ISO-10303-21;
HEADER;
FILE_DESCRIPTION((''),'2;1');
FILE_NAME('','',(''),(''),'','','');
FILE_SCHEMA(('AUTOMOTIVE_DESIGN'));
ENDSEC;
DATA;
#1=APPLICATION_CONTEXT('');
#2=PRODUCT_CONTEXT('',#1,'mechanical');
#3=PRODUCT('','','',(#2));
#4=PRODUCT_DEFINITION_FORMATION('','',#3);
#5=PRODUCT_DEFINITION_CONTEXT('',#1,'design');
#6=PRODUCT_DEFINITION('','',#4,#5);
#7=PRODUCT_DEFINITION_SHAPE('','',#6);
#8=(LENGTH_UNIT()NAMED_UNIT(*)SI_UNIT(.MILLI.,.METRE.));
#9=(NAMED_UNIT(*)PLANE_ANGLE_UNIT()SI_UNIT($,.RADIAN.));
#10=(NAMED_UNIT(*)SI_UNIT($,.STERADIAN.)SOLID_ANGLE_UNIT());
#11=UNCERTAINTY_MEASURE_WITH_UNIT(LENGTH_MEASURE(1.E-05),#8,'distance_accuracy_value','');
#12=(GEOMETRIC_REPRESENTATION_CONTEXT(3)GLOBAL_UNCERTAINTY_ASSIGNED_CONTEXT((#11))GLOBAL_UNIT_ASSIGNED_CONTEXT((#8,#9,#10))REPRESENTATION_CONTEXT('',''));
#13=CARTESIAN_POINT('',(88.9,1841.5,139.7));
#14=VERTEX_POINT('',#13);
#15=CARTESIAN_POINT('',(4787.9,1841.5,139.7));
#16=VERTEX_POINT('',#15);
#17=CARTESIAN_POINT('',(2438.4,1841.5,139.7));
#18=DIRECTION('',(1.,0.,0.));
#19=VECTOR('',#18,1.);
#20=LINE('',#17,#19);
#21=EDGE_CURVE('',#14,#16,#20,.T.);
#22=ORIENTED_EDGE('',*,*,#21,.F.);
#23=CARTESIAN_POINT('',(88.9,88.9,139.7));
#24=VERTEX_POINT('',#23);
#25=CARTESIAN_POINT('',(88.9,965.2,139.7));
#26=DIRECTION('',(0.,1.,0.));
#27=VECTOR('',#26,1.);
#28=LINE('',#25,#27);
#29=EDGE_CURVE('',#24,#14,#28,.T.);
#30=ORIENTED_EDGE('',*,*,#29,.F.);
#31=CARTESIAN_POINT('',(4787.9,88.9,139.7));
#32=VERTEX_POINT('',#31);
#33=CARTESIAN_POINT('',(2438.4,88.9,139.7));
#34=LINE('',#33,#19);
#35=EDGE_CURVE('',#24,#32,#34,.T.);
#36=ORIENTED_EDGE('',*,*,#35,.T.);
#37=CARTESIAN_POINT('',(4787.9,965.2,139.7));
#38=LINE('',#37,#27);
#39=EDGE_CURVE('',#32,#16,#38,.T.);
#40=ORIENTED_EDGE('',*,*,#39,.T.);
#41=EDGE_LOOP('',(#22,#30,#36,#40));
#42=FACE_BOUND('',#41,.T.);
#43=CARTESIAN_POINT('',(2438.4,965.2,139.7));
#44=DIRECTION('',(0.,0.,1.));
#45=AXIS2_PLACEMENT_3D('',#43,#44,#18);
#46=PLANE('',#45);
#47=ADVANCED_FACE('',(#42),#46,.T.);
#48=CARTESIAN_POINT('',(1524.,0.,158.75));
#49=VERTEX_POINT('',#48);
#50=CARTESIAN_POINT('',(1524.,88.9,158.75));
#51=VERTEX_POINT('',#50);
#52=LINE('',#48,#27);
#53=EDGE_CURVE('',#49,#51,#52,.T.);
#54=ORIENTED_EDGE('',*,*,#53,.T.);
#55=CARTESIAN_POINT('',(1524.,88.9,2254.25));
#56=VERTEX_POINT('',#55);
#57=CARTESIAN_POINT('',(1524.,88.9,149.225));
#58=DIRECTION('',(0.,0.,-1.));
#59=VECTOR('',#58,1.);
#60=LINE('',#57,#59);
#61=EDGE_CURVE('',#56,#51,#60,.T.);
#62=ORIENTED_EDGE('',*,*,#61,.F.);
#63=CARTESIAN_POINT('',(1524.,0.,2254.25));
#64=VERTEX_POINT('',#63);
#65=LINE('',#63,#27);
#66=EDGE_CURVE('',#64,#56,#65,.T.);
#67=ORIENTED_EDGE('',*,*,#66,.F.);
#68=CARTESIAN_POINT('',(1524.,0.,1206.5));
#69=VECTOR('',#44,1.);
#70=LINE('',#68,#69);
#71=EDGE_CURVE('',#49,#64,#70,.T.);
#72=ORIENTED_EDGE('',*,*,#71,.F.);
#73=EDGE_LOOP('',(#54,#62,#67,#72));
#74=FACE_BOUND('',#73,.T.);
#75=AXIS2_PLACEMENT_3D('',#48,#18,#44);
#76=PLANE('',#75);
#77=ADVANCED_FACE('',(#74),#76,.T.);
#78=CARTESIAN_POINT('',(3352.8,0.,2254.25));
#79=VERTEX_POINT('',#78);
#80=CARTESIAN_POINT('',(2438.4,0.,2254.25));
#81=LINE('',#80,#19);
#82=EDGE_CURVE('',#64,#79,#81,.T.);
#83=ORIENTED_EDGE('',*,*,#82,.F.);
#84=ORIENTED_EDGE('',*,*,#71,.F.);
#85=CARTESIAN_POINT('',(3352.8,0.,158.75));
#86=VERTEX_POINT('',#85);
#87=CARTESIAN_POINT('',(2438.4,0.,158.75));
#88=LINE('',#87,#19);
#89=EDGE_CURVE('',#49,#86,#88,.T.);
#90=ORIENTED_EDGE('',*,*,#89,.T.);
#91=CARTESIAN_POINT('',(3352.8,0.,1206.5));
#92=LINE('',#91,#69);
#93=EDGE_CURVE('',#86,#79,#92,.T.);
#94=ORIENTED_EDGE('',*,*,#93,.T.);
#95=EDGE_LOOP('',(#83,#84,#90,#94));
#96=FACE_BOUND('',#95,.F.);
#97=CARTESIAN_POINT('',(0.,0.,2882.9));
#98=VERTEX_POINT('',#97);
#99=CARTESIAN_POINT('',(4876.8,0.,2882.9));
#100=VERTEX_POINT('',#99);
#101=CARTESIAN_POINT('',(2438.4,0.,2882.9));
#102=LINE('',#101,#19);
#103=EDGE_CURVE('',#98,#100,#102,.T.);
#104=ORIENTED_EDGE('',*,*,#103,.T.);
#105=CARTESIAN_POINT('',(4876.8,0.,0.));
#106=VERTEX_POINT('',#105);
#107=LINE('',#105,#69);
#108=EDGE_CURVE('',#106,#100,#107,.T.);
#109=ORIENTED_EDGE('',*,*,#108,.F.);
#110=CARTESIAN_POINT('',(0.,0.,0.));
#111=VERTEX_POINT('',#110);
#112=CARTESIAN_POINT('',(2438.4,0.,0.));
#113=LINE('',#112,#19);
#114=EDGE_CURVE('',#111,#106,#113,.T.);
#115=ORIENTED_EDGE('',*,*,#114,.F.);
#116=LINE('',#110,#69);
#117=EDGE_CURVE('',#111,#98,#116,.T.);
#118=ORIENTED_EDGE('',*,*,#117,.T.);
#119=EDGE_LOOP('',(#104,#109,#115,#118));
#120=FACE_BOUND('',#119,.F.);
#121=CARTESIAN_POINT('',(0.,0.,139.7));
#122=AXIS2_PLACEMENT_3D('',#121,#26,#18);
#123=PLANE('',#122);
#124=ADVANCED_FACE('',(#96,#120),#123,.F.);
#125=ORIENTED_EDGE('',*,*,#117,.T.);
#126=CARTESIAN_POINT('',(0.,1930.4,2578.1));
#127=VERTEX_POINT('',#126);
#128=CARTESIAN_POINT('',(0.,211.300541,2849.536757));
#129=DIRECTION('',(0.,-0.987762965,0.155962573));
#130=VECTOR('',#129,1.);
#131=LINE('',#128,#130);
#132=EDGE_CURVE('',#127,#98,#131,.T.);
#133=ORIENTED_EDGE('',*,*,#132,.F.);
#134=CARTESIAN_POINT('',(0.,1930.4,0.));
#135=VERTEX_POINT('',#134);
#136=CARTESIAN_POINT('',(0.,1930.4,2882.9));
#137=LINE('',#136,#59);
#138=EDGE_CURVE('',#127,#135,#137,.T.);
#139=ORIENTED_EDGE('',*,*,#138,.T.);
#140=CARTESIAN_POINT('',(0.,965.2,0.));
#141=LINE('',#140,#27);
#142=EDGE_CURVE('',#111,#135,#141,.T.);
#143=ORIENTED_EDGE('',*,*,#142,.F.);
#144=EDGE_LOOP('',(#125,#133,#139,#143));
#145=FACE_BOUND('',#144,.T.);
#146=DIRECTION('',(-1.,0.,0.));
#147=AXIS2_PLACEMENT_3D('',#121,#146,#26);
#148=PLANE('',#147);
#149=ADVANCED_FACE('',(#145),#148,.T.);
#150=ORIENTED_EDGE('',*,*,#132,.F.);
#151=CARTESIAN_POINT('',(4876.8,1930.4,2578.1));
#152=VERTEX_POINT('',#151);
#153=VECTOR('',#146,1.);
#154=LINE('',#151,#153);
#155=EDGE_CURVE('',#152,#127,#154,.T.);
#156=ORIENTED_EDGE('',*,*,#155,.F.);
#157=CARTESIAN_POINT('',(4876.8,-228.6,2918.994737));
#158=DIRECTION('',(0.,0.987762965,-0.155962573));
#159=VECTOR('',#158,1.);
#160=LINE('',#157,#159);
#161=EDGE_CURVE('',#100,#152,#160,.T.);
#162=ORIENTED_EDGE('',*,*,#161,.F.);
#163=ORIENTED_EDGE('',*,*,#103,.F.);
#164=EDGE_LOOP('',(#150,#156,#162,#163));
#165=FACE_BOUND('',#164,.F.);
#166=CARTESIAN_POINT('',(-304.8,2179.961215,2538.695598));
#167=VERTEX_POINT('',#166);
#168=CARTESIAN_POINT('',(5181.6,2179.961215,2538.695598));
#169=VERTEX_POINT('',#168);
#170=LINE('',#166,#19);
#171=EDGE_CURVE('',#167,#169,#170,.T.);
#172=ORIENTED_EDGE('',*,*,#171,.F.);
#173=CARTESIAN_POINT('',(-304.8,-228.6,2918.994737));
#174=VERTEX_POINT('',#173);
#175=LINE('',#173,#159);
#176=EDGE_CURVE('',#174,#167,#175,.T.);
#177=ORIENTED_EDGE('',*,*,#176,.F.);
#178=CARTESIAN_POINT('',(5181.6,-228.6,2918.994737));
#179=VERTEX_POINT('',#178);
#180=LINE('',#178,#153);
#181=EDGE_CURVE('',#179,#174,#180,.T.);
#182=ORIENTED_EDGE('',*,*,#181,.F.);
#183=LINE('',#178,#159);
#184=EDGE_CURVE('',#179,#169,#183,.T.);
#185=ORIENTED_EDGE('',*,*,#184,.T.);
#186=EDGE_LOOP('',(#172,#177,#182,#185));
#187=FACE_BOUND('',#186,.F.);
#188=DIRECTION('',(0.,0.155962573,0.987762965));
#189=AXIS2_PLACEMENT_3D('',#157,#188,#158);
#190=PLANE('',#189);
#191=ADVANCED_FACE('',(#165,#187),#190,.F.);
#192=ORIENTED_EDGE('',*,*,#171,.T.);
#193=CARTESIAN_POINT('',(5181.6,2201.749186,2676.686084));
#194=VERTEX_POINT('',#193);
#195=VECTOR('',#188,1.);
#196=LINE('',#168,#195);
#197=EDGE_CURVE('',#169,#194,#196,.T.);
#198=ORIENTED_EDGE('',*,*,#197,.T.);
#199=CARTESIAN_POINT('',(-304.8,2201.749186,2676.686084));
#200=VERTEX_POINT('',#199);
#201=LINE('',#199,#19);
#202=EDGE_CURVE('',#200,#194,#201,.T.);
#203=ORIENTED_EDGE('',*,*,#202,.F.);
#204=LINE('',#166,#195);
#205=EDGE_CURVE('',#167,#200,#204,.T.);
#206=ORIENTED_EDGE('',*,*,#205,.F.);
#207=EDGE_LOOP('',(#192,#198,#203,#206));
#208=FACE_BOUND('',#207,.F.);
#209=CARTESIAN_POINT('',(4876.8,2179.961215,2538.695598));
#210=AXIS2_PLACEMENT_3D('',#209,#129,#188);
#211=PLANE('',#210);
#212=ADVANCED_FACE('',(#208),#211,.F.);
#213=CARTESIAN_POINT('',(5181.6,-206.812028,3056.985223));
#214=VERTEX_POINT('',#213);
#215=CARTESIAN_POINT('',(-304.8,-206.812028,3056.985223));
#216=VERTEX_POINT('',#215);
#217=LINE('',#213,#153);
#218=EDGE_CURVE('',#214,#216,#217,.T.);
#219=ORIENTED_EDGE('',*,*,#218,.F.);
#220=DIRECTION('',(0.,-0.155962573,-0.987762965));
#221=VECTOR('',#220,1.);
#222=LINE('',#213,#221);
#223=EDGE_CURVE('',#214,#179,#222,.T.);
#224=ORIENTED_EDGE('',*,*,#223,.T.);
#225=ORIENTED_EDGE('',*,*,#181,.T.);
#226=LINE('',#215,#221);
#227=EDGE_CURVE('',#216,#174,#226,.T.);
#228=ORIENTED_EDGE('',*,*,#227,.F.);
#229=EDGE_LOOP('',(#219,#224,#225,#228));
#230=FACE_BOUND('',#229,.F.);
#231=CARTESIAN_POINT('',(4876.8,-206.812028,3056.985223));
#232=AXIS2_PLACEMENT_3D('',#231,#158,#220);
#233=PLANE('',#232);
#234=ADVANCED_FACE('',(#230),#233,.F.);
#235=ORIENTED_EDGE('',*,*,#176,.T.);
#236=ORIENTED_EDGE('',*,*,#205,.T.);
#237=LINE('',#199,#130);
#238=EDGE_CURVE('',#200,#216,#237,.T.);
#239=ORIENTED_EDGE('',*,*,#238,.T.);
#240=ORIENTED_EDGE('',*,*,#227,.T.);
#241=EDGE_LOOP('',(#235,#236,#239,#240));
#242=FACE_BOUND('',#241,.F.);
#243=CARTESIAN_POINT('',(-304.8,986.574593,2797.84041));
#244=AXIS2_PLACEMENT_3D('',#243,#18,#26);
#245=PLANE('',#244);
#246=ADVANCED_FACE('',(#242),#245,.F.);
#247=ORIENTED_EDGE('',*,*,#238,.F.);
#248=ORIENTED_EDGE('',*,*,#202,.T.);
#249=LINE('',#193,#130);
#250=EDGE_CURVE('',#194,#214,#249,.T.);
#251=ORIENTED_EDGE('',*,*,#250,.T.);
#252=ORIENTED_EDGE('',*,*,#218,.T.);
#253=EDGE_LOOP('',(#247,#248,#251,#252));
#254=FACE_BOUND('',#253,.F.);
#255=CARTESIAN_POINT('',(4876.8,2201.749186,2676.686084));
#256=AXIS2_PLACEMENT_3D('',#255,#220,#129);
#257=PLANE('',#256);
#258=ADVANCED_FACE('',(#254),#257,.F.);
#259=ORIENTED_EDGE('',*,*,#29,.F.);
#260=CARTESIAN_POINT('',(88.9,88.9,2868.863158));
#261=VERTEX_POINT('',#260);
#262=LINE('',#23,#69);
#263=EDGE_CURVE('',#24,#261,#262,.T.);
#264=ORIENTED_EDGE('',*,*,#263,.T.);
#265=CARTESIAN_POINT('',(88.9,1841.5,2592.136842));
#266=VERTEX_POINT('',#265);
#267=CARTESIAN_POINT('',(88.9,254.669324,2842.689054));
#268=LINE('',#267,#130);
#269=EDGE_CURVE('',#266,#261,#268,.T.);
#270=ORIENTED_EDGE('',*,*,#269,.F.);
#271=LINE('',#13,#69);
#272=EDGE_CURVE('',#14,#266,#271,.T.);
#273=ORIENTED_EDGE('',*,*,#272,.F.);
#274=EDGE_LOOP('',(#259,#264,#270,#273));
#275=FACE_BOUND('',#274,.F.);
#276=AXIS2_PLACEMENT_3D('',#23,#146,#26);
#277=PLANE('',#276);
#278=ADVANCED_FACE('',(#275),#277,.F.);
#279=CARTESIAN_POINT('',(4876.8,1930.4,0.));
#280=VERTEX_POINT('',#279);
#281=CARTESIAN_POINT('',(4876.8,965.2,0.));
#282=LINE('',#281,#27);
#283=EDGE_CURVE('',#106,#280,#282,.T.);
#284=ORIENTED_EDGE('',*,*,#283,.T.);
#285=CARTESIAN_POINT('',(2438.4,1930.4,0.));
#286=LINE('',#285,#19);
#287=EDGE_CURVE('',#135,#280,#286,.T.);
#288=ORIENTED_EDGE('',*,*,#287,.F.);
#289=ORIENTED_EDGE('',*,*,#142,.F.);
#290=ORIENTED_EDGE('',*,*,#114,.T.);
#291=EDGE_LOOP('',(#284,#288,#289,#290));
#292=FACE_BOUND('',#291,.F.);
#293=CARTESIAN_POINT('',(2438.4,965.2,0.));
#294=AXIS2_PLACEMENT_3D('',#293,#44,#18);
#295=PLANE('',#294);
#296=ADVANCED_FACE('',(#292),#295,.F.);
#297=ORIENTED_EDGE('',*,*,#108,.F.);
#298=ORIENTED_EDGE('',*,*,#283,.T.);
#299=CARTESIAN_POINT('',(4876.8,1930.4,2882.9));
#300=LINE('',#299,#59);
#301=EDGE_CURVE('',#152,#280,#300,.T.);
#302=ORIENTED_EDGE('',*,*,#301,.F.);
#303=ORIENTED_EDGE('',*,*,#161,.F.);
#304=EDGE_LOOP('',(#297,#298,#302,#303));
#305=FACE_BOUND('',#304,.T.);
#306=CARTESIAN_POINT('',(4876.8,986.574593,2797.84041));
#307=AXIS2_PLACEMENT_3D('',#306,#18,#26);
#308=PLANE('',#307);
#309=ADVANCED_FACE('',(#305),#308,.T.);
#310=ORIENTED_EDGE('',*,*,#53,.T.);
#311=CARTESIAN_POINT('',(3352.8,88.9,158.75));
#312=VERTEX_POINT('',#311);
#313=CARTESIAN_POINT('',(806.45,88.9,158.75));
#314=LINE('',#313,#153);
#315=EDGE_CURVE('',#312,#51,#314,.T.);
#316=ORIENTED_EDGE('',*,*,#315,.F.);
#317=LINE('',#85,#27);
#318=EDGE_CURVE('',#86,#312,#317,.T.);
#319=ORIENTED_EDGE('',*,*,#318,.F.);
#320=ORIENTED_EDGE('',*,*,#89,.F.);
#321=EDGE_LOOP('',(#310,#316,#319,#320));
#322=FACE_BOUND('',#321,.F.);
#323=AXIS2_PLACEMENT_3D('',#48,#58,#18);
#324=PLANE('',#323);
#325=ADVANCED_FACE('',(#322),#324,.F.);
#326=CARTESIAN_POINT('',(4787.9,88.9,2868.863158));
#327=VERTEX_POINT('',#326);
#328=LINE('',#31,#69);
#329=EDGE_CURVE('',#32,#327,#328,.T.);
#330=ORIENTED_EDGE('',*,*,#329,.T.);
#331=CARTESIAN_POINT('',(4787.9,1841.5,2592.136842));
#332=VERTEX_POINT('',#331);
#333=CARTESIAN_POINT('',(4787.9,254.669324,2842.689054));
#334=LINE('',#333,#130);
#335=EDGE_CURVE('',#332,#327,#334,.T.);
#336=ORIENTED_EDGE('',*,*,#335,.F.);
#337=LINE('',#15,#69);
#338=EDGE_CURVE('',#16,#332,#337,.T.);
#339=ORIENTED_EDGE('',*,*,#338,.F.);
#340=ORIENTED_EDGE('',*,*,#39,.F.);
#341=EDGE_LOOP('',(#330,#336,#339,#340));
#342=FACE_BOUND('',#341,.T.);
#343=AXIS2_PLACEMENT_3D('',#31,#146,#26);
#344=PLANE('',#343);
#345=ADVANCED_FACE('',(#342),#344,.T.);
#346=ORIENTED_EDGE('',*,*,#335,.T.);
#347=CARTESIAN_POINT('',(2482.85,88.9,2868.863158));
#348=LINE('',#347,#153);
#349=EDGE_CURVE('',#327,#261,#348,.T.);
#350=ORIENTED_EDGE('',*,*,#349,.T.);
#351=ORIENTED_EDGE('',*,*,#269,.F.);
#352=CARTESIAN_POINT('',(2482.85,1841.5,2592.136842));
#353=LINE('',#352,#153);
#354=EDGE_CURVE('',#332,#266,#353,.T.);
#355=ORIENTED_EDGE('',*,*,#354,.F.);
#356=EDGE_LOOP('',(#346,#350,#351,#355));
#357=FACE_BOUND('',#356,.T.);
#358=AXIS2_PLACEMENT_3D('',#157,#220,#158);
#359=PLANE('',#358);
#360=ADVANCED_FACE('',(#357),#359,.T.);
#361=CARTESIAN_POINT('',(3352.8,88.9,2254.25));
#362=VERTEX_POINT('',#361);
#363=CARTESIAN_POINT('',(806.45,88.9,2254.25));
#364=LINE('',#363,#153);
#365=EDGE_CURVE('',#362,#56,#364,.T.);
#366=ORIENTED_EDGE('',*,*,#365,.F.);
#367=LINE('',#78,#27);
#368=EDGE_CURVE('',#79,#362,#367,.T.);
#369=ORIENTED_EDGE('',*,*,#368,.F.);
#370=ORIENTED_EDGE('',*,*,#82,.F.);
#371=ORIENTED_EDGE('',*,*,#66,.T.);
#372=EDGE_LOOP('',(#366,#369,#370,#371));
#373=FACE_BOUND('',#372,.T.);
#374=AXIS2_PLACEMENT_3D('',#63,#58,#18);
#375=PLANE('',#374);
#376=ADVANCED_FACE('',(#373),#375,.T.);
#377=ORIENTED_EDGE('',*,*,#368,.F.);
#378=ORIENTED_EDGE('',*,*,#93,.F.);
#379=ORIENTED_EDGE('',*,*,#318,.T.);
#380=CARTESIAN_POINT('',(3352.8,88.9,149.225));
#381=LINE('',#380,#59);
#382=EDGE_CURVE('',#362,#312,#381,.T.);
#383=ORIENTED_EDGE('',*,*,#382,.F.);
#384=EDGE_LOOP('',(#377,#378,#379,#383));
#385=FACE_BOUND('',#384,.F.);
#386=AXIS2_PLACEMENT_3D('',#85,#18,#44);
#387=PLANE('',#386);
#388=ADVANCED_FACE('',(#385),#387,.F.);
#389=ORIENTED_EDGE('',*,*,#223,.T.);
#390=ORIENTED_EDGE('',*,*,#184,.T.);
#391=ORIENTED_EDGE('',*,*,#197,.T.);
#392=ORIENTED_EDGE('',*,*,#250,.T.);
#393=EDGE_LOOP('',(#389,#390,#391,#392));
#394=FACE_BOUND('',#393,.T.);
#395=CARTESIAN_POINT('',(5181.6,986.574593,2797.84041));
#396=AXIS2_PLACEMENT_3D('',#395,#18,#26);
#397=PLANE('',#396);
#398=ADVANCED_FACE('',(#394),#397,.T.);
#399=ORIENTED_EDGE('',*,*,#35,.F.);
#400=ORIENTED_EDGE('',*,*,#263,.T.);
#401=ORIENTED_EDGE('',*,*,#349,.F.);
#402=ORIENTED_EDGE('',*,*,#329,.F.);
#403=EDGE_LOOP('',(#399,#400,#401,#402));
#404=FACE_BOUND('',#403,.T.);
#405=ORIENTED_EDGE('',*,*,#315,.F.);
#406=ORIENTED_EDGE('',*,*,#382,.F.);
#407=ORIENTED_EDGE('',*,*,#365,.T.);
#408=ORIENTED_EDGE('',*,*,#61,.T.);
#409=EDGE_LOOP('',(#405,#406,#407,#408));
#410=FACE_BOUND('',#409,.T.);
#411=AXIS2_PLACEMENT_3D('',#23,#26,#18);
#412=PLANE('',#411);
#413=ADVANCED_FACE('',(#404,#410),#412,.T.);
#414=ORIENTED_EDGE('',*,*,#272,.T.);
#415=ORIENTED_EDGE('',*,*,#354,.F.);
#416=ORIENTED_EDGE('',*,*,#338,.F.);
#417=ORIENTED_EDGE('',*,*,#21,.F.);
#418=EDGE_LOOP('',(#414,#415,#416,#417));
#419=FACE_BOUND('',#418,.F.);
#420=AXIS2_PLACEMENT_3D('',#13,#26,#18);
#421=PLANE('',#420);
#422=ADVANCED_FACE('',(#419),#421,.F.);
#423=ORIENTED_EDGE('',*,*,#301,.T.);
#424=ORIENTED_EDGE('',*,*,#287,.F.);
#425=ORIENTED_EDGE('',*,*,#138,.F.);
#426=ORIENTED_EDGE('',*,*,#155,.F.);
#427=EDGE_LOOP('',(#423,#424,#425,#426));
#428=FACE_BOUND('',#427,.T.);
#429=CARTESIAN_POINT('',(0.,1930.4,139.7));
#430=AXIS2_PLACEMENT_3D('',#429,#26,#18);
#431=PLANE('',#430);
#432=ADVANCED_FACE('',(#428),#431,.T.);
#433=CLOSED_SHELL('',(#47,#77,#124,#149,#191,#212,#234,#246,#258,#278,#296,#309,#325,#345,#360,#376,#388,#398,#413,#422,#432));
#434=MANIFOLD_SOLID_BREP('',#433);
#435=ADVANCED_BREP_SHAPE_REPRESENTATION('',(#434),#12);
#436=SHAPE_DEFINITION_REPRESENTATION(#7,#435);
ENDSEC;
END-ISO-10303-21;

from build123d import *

# Parameters (mm, degrees)
F0_W          = 4876.8
F0_H          = 1930.4
F1_DEPTH      = 139.7
F2_W          = 4876.8
F2_H          = 1930.4
F2_W_2        = 4699
F2_H_2        = 1752.6
F3_DEPTH      = 2743.2
F5_DEPTH      = 4876.801
F7_DEPTH      = 5181.6
F7_DEPTH_BACK = 304.8
F8_W          = 1828.8
F8_H          = 2095.5
F9_DEPTH      = 304.8


with BuildPart() as f1:
    # F0 (on Top) → F1 (new body)
    with BuildSketch(Plane.XY):
        with Locations((2438.4, 965.2)):
            Rectangle(F0_W, F0_H)
    extrude(amount=F1_DEPTH)

    # F2 (on face) → F3 (join)
    with BuildSketch(Plane.XY.offset(139.7)):
        with Locations((2438.4, 965.2)):
            Rectangle(F2_W, F2_H)
        with Locations((2438.4, 965.2)):
            Rectangle(F2_W_2, F2_H_2, mode=Mode.SUBTRACT)
    extrude(amount=F3_DEPTH)

    # F4 (on face) → F5 (cut, through all)
    with BuildSketch(Plane.YZ.offset(4876.8)):
        Polygon((1930.4, 2578.1), (1930.4, 2882.9), (0, 2882.9), align=None)
    extrude(amount=-F5_DEPTH, mode=Mode.SUBTRACT)

    # F6 (on face) → F7 (join, two sides)
    with BuildSketch(Plane.YZ.offset(4876.8)) as f7_sk:
        Polygon((-228.6, 2918.9947368421), (0, 2882.9), (1930.4, 2578.1), (2179.9612146584, 2538.6955976855), (2201.7491861726, 2676.686083942), (-206.8120284858, 3056.9852230986), align=None)
    extrude(amount=-F7_DEPTH)
    extrude(f7_sk.sketch, amount=F7_DEPTH_BACK)

    # F8 (on face) → F9 (cut)
    with BuildSketch(Plane.XZ):
        with Locations((2438.4, 1206.5)):
            Rectangle(F8_W, F8_H)
    extrude(amount=-F9_DEPTH, mode=Mode.SUBTRACT)


solid = f1.part
